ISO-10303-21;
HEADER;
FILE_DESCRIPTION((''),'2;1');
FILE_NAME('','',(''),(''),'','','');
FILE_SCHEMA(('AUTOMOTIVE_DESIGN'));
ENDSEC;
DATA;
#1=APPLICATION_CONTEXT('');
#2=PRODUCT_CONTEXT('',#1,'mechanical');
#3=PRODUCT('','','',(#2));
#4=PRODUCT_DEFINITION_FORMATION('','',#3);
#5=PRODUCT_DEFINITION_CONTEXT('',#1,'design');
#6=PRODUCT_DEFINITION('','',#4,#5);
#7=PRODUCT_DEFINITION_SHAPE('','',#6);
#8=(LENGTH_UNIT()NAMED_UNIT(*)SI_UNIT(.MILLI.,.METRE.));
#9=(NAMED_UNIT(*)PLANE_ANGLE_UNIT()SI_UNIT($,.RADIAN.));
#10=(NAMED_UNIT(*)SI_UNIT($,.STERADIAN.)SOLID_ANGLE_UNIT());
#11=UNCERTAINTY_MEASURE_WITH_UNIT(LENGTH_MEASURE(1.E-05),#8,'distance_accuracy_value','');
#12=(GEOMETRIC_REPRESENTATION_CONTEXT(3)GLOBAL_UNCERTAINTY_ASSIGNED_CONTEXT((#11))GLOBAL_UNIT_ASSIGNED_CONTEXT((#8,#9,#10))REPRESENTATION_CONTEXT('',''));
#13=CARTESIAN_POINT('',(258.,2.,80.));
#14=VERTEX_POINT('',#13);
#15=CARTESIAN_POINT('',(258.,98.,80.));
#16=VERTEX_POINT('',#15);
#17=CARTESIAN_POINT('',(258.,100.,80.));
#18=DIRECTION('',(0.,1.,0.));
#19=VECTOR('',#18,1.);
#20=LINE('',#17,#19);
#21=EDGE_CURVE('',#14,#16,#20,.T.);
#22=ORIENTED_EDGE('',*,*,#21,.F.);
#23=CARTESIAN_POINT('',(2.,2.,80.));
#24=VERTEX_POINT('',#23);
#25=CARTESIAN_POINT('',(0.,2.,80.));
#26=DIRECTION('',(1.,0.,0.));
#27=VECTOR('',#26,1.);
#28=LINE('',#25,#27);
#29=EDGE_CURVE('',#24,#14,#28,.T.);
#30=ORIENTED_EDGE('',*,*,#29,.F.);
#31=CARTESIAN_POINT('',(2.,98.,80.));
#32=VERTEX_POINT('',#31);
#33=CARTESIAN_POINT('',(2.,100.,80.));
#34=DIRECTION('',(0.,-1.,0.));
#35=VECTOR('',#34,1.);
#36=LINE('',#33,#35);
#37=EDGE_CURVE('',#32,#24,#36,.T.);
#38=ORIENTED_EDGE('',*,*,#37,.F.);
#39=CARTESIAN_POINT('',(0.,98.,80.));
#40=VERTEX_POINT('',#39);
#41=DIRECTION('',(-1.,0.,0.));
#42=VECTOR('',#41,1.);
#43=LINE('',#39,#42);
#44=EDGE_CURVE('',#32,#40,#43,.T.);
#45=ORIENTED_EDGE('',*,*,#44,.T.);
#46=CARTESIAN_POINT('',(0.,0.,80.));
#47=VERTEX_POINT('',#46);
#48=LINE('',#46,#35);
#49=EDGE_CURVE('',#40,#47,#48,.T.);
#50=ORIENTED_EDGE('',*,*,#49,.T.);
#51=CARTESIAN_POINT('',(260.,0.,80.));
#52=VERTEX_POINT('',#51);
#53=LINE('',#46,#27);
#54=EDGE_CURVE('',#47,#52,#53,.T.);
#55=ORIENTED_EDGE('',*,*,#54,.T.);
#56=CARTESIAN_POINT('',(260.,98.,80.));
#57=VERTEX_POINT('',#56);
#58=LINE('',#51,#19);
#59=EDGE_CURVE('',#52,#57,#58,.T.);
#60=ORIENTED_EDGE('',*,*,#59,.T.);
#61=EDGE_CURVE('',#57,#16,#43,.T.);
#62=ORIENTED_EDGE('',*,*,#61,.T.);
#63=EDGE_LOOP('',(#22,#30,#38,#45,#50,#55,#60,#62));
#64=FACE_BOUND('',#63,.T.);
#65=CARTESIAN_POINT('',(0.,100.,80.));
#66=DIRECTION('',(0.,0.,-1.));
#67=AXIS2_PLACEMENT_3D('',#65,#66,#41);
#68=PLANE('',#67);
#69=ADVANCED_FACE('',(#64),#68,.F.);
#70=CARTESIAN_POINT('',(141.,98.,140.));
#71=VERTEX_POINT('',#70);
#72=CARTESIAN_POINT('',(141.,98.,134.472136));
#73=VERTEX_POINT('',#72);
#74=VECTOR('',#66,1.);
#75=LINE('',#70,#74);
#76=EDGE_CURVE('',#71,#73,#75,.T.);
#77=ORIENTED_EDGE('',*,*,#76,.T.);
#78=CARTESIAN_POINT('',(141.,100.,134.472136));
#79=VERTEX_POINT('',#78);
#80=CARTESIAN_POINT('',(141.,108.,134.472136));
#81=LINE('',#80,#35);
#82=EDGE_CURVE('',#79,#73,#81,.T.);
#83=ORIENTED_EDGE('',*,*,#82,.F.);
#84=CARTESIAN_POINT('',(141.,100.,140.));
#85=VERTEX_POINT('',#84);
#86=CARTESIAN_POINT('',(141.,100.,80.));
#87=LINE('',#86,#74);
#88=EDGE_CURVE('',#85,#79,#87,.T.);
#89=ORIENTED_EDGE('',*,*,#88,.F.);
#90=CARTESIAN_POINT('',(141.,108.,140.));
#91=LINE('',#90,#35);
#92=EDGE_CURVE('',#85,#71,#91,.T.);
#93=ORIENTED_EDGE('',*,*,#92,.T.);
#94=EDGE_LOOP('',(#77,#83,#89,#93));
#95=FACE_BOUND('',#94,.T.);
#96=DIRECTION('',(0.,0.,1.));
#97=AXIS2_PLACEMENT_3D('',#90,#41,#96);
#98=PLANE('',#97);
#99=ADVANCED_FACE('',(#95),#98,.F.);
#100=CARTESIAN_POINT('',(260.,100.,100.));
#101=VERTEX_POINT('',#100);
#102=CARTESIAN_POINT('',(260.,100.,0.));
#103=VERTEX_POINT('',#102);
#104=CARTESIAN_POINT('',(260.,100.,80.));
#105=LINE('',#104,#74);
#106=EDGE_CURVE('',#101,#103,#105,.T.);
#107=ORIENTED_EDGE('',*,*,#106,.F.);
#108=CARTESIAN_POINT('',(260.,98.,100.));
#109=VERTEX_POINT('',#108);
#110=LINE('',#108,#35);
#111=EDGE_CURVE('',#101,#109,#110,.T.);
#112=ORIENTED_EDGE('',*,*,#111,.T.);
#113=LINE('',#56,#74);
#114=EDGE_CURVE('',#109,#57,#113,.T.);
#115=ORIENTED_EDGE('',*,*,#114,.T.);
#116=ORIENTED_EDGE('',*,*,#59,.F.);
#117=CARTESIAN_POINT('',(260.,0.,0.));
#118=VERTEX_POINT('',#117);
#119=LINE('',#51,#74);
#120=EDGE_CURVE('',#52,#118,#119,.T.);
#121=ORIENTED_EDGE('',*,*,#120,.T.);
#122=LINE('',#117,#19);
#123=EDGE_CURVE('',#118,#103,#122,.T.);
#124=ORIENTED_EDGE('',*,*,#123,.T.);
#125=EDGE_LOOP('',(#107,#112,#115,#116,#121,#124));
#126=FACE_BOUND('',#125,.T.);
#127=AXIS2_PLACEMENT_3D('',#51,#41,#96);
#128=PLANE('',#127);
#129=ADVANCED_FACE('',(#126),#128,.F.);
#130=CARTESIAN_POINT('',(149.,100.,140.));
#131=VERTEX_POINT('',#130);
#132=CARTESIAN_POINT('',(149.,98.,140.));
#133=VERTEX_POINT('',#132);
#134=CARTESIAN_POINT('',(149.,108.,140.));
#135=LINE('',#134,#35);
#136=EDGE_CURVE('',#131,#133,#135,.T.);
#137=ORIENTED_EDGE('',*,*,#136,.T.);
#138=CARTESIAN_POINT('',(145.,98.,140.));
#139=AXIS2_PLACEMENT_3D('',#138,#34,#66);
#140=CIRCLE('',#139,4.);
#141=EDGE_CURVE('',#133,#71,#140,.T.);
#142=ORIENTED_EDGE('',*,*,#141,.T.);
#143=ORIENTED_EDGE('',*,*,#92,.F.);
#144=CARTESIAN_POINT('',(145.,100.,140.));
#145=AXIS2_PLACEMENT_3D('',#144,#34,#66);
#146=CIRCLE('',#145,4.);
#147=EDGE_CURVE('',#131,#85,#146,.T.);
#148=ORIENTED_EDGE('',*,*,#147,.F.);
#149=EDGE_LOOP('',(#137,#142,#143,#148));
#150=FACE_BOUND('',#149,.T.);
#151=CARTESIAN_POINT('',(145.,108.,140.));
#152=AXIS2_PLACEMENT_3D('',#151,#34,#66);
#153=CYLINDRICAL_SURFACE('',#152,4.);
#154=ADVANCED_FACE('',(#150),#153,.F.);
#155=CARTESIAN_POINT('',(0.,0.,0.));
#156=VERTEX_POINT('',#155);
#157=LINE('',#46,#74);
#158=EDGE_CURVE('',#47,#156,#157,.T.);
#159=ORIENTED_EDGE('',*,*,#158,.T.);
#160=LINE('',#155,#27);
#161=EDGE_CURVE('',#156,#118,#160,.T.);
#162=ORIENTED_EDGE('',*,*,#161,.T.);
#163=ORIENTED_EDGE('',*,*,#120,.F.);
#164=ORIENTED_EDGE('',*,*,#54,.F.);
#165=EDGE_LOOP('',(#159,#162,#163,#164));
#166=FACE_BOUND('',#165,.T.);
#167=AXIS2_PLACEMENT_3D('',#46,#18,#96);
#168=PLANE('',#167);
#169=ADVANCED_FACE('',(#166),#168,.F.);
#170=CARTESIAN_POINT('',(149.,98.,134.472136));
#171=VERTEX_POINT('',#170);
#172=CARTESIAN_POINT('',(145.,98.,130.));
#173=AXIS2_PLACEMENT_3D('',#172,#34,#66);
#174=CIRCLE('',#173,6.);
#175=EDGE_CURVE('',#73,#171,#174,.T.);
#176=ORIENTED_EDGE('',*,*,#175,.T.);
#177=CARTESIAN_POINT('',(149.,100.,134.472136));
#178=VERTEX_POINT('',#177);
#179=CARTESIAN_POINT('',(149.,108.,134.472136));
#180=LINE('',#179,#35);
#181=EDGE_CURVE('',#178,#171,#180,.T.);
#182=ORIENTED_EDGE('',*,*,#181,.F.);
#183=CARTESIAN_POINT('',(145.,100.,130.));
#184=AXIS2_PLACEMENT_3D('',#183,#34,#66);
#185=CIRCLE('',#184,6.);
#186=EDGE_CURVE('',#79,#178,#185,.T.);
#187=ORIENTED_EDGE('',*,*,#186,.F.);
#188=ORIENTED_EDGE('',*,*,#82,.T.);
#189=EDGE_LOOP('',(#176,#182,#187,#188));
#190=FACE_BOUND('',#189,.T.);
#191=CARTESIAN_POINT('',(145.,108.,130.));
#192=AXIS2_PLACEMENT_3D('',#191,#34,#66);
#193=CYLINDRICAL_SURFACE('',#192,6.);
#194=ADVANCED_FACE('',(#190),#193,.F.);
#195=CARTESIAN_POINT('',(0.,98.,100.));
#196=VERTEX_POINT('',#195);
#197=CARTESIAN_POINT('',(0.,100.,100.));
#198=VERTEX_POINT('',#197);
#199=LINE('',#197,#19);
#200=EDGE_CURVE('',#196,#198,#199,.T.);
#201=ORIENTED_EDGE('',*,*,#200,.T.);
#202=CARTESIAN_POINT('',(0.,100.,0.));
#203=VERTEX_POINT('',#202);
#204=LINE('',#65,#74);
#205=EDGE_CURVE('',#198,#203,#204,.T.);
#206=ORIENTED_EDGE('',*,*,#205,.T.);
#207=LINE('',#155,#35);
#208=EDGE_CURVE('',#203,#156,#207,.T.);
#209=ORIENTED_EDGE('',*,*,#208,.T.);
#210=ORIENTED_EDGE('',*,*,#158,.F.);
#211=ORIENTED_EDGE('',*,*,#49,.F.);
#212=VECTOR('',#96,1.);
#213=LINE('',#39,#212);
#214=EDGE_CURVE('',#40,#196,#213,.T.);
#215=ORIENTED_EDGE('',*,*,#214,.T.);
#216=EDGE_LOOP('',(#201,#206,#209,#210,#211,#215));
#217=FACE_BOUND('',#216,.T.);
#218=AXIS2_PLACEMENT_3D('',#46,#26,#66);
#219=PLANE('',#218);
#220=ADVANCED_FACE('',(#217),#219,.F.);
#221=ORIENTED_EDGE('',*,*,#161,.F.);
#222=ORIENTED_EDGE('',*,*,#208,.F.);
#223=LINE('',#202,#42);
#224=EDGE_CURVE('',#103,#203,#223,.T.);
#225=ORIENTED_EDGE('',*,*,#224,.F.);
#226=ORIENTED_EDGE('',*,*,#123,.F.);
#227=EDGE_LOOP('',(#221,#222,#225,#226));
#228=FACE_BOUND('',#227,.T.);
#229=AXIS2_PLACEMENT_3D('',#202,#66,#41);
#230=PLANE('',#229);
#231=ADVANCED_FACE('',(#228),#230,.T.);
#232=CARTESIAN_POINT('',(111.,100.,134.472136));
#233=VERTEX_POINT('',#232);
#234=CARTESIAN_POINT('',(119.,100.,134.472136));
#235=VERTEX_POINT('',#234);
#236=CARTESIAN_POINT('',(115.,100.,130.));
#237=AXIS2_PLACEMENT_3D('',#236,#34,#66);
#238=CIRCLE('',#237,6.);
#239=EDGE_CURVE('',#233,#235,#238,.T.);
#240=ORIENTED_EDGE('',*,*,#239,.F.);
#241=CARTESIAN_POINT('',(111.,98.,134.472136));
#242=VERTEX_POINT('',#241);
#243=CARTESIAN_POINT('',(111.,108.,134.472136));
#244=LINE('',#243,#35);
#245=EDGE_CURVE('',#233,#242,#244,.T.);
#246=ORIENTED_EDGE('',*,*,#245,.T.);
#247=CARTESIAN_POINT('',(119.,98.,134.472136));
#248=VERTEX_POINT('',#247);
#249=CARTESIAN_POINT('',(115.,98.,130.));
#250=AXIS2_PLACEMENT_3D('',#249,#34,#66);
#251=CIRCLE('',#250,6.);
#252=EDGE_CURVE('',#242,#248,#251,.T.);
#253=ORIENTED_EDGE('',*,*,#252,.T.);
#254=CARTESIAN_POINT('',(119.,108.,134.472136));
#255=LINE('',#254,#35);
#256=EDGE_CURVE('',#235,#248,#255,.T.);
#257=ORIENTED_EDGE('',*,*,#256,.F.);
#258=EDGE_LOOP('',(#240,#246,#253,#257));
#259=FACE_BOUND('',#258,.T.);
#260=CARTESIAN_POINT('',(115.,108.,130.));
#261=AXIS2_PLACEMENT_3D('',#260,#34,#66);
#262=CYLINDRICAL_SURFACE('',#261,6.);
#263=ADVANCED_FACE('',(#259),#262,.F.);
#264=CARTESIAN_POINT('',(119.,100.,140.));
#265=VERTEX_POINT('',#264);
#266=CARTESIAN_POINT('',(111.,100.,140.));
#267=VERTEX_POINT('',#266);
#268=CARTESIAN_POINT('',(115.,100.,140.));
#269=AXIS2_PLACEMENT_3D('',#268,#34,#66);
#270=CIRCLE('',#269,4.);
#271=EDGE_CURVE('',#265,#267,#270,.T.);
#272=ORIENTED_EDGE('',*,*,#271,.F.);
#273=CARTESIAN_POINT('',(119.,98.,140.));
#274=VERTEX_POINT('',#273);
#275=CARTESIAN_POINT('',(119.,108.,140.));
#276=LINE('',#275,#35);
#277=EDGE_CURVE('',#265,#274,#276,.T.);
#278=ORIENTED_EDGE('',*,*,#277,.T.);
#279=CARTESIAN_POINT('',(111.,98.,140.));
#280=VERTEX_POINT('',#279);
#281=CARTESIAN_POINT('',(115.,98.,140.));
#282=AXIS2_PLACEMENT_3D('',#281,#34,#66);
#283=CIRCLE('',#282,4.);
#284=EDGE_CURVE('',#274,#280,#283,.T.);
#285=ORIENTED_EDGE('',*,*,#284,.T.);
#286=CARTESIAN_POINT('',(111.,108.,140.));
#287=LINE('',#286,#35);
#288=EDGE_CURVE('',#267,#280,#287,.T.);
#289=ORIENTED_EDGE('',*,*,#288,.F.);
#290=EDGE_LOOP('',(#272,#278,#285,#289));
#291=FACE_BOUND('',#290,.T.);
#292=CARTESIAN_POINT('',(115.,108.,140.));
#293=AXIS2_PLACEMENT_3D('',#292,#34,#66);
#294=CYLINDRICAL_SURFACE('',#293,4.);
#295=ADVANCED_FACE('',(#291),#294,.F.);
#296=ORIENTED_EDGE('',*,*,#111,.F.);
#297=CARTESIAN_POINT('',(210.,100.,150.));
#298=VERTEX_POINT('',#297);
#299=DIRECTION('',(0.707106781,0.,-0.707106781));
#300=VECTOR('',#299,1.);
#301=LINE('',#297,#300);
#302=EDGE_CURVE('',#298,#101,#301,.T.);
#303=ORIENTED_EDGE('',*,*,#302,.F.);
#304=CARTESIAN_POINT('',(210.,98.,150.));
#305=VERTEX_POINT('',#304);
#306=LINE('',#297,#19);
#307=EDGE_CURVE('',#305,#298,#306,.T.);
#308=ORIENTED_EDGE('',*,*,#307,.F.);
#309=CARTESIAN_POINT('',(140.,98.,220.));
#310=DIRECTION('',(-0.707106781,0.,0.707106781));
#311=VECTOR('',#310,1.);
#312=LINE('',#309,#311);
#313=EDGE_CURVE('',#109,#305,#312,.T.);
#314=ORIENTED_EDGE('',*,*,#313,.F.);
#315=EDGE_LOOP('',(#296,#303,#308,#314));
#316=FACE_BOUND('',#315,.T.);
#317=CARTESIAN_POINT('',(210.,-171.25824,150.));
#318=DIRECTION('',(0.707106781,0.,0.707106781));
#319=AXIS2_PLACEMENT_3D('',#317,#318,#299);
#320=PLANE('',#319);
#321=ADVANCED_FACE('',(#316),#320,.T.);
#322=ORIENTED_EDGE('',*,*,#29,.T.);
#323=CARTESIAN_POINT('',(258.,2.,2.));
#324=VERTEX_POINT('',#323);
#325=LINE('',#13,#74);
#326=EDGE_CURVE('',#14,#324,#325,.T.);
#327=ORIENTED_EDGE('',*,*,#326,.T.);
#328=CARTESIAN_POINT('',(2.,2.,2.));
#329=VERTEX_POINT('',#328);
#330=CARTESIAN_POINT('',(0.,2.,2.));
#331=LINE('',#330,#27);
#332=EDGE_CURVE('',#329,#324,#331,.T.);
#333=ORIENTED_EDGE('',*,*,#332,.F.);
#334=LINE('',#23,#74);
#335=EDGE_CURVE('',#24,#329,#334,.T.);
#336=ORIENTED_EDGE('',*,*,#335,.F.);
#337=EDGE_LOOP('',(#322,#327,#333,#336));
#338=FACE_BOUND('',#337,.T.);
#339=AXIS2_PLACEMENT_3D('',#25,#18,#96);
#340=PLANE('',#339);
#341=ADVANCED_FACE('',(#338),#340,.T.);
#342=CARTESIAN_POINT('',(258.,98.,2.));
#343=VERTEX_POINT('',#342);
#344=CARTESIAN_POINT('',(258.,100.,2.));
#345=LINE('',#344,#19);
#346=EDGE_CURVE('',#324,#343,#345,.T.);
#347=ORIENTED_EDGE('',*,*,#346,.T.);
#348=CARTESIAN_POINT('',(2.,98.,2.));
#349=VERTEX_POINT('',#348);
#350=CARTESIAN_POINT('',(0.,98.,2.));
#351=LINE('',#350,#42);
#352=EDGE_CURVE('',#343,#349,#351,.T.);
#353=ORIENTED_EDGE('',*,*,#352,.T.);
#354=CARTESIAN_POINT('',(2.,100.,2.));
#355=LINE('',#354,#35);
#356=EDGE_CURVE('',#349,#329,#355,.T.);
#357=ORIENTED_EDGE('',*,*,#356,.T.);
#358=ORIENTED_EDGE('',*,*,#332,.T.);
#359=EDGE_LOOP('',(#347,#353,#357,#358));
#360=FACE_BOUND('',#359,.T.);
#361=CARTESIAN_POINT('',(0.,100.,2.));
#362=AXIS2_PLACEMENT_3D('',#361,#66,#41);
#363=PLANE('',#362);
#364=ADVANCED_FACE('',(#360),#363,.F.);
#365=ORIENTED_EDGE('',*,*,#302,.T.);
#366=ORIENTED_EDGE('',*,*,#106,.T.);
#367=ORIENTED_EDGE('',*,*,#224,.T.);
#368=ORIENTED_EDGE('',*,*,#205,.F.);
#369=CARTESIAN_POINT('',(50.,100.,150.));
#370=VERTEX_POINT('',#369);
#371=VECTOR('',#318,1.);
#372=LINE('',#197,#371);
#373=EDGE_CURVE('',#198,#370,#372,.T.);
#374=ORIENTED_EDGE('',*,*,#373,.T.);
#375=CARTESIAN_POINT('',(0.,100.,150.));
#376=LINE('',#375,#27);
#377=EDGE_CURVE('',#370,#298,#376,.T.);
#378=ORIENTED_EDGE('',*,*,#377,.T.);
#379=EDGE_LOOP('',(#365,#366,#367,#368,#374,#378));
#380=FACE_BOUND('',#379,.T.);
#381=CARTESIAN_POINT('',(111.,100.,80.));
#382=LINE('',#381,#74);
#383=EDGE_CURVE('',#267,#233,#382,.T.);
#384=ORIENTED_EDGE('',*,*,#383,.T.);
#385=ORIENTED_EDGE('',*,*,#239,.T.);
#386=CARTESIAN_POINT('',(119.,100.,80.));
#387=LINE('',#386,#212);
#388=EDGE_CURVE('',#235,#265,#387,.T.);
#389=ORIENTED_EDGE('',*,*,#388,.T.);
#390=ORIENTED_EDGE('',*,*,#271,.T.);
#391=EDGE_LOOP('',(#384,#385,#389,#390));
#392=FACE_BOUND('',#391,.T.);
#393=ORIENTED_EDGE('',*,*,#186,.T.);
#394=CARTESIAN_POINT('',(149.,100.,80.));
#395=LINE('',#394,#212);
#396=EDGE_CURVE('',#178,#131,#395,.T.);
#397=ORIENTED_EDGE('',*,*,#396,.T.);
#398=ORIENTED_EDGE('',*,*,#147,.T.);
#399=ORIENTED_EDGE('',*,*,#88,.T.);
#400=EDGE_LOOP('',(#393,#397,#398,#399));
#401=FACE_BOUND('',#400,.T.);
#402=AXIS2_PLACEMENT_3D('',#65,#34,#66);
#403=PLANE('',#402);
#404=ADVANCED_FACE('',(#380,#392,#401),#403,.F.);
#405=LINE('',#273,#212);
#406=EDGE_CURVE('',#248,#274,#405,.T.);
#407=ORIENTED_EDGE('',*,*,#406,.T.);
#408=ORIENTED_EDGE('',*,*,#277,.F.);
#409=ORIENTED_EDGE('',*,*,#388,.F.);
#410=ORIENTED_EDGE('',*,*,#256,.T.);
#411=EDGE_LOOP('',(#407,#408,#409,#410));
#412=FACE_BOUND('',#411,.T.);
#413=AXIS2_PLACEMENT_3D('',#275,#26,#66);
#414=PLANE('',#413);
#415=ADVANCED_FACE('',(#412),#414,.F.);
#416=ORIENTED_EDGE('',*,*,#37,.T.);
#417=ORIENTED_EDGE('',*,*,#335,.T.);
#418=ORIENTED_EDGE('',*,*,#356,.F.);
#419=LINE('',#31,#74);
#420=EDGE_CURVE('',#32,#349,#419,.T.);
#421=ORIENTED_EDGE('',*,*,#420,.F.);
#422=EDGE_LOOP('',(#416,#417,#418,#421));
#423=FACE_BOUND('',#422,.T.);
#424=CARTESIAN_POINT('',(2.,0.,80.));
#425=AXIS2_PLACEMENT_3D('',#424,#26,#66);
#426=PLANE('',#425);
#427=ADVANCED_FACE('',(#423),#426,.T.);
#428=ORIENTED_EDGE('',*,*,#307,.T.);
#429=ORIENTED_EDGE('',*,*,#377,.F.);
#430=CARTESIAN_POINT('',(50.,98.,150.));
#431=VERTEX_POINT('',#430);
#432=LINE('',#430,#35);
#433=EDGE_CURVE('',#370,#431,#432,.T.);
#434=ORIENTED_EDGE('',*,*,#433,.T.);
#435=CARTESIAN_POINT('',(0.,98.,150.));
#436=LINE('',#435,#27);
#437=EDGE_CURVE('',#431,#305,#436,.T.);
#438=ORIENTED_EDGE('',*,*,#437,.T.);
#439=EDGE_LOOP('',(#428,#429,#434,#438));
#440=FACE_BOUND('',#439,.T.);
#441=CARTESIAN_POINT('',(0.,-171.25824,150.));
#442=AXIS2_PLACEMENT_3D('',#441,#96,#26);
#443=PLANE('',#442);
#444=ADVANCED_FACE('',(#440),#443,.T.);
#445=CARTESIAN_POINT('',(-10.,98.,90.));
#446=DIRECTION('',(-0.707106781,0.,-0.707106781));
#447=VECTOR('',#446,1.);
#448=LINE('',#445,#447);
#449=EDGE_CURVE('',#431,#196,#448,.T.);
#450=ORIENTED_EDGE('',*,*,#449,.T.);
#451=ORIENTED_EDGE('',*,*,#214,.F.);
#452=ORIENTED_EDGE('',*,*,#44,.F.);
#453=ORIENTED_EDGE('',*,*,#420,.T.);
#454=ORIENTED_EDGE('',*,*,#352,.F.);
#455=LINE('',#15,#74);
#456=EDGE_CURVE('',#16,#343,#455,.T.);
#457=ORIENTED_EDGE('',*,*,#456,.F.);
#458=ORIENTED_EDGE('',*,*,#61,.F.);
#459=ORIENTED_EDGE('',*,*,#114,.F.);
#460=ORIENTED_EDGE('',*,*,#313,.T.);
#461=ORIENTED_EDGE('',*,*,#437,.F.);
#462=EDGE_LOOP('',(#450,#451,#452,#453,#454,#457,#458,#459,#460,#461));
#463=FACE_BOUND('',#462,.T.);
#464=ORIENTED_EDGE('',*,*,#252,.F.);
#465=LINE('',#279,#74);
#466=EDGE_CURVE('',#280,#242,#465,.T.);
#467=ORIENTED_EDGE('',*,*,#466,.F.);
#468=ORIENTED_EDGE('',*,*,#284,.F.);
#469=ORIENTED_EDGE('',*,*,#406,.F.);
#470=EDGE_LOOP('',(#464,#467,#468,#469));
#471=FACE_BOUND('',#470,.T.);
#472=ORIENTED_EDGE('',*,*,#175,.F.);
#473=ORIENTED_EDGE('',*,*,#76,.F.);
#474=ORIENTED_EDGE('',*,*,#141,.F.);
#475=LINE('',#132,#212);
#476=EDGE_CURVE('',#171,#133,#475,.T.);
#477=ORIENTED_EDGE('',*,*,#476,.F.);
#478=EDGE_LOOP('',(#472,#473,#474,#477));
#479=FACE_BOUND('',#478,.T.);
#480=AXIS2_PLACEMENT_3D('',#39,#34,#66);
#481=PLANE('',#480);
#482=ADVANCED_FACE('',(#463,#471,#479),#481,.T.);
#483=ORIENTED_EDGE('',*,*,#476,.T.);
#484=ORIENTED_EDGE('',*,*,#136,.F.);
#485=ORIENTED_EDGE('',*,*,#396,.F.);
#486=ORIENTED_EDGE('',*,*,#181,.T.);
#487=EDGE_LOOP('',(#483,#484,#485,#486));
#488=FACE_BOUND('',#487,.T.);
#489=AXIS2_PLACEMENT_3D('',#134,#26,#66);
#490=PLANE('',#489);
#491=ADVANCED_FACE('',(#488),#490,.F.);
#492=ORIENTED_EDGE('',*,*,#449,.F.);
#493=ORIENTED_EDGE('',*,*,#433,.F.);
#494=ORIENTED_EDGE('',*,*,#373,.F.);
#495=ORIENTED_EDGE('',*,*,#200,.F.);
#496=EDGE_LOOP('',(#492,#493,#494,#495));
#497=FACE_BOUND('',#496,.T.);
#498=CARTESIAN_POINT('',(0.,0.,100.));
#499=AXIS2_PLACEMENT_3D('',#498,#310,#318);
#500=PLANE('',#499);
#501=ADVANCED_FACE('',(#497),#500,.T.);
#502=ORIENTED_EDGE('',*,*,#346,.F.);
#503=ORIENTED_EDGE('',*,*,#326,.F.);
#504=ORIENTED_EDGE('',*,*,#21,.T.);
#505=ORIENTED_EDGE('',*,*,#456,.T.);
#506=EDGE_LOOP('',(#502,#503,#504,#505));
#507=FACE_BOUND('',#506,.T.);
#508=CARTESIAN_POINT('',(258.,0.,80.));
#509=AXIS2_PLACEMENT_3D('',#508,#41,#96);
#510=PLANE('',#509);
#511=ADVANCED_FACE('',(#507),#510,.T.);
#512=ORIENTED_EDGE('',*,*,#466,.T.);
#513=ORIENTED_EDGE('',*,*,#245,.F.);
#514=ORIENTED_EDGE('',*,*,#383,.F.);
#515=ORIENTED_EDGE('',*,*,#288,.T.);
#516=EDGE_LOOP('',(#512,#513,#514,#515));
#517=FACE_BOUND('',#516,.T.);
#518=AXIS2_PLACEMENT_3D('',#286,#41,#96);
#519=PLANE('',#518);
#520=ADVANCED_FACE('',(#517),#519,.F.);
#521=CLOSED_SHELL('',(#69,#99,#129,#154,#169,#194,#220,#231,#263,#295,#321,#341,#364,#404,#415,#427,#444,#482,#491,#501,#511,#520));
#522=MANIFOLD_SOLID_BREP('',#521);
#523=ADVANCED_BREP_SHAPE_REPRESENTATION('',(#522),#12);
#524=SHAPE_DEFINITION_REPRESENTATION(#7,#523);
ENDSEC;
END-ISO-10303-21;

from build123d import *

# Parameters (mm, degrees)
SKETCH_1_W          = 260
SKETCH_1_H          = 100
EXTRUDE_1_DEPTH     = 80
SHELL_1_T           = -2
SKETCH_4_W          = 260
SKETCH_4_H          = 70
EXTRUDE_1_2_DEPTH   = 2
CUT_EXTRUDE_3_DEPTH = 10
CHAMFER_1_SIZE      = 50


with BuildPart() as part:
    # 草图1 → Extrude 1 (new body)
    with BuildSketch(Plane.XY):
        with Locations((130, 50)):
            Rectangle(SKETCH_1_W, SKETCH_1_H)
    extrude(amount=EXTRUDE_1_DEPTH)

    # 抽壳1
    shell_1_openings = [part.faces().sort_by_distance(p)[0] for p in [
        (130, 50, 80),
    ]]
    offset(amount=SHELL_1_T, openings=shell_1_openings, kind=Kind.INTERSECTION)

    # 草图4 → Extrude 1 2 (add)
    with BuildSketch(Plane(origin=(0, 100, 0), x_dir=(1, 0, 0), z_dir=(0, 1, 0))):
        with Locations((130, -115)):
            Rectangle(SKETCH_4_W, SKETCH_4_H)
    extrude(amount=-EXTRUDE_1_2_DEPTH)

    # 草图5 → 切除-拉伸3 (cut)
    with BuildSketch(Plane(origin=(0, 98, 0), x_dir=(-1, 0, 0), z_dir=(0, -1, 0))):
        with BuildLine():
            Line((-119, -140), (-119, -134.472135955))
            ThreePointArc((-119, -134.472135955), (-115, -124), (-111, -134.472135955))
            Line((-111, -134.472135955), (-111, -140))
            ThreePointArc((-111, -140), (-115, -144), (-119, -140))
        make_face()
        with BuildLine():
            Line((-149, -140), (-149, -134.472135955))
            ThreePointArc((-149, -134.472135955), (-145, -124), (-141, -134.472135955))
            Line((-141, -134.472135955), (-141, -140))
            ThreePointArc((-141, -140), (-145, -144), (-149, -140))
        make_face()
    extrude(amount=-CUT_EXTRUDE_3_DEPTH, mode=Mode.SUBTRACT)

    # 倒角1
    chamfer_1_edges = [part.edges().sort_by_distance(p)[0] for p in [
        (260, 99, 150),
        (0, 99, 150),
    ]]
    chamfer(chamfer_1_edges, length=CHAMFER_1_SIZE)


solid = part.part
